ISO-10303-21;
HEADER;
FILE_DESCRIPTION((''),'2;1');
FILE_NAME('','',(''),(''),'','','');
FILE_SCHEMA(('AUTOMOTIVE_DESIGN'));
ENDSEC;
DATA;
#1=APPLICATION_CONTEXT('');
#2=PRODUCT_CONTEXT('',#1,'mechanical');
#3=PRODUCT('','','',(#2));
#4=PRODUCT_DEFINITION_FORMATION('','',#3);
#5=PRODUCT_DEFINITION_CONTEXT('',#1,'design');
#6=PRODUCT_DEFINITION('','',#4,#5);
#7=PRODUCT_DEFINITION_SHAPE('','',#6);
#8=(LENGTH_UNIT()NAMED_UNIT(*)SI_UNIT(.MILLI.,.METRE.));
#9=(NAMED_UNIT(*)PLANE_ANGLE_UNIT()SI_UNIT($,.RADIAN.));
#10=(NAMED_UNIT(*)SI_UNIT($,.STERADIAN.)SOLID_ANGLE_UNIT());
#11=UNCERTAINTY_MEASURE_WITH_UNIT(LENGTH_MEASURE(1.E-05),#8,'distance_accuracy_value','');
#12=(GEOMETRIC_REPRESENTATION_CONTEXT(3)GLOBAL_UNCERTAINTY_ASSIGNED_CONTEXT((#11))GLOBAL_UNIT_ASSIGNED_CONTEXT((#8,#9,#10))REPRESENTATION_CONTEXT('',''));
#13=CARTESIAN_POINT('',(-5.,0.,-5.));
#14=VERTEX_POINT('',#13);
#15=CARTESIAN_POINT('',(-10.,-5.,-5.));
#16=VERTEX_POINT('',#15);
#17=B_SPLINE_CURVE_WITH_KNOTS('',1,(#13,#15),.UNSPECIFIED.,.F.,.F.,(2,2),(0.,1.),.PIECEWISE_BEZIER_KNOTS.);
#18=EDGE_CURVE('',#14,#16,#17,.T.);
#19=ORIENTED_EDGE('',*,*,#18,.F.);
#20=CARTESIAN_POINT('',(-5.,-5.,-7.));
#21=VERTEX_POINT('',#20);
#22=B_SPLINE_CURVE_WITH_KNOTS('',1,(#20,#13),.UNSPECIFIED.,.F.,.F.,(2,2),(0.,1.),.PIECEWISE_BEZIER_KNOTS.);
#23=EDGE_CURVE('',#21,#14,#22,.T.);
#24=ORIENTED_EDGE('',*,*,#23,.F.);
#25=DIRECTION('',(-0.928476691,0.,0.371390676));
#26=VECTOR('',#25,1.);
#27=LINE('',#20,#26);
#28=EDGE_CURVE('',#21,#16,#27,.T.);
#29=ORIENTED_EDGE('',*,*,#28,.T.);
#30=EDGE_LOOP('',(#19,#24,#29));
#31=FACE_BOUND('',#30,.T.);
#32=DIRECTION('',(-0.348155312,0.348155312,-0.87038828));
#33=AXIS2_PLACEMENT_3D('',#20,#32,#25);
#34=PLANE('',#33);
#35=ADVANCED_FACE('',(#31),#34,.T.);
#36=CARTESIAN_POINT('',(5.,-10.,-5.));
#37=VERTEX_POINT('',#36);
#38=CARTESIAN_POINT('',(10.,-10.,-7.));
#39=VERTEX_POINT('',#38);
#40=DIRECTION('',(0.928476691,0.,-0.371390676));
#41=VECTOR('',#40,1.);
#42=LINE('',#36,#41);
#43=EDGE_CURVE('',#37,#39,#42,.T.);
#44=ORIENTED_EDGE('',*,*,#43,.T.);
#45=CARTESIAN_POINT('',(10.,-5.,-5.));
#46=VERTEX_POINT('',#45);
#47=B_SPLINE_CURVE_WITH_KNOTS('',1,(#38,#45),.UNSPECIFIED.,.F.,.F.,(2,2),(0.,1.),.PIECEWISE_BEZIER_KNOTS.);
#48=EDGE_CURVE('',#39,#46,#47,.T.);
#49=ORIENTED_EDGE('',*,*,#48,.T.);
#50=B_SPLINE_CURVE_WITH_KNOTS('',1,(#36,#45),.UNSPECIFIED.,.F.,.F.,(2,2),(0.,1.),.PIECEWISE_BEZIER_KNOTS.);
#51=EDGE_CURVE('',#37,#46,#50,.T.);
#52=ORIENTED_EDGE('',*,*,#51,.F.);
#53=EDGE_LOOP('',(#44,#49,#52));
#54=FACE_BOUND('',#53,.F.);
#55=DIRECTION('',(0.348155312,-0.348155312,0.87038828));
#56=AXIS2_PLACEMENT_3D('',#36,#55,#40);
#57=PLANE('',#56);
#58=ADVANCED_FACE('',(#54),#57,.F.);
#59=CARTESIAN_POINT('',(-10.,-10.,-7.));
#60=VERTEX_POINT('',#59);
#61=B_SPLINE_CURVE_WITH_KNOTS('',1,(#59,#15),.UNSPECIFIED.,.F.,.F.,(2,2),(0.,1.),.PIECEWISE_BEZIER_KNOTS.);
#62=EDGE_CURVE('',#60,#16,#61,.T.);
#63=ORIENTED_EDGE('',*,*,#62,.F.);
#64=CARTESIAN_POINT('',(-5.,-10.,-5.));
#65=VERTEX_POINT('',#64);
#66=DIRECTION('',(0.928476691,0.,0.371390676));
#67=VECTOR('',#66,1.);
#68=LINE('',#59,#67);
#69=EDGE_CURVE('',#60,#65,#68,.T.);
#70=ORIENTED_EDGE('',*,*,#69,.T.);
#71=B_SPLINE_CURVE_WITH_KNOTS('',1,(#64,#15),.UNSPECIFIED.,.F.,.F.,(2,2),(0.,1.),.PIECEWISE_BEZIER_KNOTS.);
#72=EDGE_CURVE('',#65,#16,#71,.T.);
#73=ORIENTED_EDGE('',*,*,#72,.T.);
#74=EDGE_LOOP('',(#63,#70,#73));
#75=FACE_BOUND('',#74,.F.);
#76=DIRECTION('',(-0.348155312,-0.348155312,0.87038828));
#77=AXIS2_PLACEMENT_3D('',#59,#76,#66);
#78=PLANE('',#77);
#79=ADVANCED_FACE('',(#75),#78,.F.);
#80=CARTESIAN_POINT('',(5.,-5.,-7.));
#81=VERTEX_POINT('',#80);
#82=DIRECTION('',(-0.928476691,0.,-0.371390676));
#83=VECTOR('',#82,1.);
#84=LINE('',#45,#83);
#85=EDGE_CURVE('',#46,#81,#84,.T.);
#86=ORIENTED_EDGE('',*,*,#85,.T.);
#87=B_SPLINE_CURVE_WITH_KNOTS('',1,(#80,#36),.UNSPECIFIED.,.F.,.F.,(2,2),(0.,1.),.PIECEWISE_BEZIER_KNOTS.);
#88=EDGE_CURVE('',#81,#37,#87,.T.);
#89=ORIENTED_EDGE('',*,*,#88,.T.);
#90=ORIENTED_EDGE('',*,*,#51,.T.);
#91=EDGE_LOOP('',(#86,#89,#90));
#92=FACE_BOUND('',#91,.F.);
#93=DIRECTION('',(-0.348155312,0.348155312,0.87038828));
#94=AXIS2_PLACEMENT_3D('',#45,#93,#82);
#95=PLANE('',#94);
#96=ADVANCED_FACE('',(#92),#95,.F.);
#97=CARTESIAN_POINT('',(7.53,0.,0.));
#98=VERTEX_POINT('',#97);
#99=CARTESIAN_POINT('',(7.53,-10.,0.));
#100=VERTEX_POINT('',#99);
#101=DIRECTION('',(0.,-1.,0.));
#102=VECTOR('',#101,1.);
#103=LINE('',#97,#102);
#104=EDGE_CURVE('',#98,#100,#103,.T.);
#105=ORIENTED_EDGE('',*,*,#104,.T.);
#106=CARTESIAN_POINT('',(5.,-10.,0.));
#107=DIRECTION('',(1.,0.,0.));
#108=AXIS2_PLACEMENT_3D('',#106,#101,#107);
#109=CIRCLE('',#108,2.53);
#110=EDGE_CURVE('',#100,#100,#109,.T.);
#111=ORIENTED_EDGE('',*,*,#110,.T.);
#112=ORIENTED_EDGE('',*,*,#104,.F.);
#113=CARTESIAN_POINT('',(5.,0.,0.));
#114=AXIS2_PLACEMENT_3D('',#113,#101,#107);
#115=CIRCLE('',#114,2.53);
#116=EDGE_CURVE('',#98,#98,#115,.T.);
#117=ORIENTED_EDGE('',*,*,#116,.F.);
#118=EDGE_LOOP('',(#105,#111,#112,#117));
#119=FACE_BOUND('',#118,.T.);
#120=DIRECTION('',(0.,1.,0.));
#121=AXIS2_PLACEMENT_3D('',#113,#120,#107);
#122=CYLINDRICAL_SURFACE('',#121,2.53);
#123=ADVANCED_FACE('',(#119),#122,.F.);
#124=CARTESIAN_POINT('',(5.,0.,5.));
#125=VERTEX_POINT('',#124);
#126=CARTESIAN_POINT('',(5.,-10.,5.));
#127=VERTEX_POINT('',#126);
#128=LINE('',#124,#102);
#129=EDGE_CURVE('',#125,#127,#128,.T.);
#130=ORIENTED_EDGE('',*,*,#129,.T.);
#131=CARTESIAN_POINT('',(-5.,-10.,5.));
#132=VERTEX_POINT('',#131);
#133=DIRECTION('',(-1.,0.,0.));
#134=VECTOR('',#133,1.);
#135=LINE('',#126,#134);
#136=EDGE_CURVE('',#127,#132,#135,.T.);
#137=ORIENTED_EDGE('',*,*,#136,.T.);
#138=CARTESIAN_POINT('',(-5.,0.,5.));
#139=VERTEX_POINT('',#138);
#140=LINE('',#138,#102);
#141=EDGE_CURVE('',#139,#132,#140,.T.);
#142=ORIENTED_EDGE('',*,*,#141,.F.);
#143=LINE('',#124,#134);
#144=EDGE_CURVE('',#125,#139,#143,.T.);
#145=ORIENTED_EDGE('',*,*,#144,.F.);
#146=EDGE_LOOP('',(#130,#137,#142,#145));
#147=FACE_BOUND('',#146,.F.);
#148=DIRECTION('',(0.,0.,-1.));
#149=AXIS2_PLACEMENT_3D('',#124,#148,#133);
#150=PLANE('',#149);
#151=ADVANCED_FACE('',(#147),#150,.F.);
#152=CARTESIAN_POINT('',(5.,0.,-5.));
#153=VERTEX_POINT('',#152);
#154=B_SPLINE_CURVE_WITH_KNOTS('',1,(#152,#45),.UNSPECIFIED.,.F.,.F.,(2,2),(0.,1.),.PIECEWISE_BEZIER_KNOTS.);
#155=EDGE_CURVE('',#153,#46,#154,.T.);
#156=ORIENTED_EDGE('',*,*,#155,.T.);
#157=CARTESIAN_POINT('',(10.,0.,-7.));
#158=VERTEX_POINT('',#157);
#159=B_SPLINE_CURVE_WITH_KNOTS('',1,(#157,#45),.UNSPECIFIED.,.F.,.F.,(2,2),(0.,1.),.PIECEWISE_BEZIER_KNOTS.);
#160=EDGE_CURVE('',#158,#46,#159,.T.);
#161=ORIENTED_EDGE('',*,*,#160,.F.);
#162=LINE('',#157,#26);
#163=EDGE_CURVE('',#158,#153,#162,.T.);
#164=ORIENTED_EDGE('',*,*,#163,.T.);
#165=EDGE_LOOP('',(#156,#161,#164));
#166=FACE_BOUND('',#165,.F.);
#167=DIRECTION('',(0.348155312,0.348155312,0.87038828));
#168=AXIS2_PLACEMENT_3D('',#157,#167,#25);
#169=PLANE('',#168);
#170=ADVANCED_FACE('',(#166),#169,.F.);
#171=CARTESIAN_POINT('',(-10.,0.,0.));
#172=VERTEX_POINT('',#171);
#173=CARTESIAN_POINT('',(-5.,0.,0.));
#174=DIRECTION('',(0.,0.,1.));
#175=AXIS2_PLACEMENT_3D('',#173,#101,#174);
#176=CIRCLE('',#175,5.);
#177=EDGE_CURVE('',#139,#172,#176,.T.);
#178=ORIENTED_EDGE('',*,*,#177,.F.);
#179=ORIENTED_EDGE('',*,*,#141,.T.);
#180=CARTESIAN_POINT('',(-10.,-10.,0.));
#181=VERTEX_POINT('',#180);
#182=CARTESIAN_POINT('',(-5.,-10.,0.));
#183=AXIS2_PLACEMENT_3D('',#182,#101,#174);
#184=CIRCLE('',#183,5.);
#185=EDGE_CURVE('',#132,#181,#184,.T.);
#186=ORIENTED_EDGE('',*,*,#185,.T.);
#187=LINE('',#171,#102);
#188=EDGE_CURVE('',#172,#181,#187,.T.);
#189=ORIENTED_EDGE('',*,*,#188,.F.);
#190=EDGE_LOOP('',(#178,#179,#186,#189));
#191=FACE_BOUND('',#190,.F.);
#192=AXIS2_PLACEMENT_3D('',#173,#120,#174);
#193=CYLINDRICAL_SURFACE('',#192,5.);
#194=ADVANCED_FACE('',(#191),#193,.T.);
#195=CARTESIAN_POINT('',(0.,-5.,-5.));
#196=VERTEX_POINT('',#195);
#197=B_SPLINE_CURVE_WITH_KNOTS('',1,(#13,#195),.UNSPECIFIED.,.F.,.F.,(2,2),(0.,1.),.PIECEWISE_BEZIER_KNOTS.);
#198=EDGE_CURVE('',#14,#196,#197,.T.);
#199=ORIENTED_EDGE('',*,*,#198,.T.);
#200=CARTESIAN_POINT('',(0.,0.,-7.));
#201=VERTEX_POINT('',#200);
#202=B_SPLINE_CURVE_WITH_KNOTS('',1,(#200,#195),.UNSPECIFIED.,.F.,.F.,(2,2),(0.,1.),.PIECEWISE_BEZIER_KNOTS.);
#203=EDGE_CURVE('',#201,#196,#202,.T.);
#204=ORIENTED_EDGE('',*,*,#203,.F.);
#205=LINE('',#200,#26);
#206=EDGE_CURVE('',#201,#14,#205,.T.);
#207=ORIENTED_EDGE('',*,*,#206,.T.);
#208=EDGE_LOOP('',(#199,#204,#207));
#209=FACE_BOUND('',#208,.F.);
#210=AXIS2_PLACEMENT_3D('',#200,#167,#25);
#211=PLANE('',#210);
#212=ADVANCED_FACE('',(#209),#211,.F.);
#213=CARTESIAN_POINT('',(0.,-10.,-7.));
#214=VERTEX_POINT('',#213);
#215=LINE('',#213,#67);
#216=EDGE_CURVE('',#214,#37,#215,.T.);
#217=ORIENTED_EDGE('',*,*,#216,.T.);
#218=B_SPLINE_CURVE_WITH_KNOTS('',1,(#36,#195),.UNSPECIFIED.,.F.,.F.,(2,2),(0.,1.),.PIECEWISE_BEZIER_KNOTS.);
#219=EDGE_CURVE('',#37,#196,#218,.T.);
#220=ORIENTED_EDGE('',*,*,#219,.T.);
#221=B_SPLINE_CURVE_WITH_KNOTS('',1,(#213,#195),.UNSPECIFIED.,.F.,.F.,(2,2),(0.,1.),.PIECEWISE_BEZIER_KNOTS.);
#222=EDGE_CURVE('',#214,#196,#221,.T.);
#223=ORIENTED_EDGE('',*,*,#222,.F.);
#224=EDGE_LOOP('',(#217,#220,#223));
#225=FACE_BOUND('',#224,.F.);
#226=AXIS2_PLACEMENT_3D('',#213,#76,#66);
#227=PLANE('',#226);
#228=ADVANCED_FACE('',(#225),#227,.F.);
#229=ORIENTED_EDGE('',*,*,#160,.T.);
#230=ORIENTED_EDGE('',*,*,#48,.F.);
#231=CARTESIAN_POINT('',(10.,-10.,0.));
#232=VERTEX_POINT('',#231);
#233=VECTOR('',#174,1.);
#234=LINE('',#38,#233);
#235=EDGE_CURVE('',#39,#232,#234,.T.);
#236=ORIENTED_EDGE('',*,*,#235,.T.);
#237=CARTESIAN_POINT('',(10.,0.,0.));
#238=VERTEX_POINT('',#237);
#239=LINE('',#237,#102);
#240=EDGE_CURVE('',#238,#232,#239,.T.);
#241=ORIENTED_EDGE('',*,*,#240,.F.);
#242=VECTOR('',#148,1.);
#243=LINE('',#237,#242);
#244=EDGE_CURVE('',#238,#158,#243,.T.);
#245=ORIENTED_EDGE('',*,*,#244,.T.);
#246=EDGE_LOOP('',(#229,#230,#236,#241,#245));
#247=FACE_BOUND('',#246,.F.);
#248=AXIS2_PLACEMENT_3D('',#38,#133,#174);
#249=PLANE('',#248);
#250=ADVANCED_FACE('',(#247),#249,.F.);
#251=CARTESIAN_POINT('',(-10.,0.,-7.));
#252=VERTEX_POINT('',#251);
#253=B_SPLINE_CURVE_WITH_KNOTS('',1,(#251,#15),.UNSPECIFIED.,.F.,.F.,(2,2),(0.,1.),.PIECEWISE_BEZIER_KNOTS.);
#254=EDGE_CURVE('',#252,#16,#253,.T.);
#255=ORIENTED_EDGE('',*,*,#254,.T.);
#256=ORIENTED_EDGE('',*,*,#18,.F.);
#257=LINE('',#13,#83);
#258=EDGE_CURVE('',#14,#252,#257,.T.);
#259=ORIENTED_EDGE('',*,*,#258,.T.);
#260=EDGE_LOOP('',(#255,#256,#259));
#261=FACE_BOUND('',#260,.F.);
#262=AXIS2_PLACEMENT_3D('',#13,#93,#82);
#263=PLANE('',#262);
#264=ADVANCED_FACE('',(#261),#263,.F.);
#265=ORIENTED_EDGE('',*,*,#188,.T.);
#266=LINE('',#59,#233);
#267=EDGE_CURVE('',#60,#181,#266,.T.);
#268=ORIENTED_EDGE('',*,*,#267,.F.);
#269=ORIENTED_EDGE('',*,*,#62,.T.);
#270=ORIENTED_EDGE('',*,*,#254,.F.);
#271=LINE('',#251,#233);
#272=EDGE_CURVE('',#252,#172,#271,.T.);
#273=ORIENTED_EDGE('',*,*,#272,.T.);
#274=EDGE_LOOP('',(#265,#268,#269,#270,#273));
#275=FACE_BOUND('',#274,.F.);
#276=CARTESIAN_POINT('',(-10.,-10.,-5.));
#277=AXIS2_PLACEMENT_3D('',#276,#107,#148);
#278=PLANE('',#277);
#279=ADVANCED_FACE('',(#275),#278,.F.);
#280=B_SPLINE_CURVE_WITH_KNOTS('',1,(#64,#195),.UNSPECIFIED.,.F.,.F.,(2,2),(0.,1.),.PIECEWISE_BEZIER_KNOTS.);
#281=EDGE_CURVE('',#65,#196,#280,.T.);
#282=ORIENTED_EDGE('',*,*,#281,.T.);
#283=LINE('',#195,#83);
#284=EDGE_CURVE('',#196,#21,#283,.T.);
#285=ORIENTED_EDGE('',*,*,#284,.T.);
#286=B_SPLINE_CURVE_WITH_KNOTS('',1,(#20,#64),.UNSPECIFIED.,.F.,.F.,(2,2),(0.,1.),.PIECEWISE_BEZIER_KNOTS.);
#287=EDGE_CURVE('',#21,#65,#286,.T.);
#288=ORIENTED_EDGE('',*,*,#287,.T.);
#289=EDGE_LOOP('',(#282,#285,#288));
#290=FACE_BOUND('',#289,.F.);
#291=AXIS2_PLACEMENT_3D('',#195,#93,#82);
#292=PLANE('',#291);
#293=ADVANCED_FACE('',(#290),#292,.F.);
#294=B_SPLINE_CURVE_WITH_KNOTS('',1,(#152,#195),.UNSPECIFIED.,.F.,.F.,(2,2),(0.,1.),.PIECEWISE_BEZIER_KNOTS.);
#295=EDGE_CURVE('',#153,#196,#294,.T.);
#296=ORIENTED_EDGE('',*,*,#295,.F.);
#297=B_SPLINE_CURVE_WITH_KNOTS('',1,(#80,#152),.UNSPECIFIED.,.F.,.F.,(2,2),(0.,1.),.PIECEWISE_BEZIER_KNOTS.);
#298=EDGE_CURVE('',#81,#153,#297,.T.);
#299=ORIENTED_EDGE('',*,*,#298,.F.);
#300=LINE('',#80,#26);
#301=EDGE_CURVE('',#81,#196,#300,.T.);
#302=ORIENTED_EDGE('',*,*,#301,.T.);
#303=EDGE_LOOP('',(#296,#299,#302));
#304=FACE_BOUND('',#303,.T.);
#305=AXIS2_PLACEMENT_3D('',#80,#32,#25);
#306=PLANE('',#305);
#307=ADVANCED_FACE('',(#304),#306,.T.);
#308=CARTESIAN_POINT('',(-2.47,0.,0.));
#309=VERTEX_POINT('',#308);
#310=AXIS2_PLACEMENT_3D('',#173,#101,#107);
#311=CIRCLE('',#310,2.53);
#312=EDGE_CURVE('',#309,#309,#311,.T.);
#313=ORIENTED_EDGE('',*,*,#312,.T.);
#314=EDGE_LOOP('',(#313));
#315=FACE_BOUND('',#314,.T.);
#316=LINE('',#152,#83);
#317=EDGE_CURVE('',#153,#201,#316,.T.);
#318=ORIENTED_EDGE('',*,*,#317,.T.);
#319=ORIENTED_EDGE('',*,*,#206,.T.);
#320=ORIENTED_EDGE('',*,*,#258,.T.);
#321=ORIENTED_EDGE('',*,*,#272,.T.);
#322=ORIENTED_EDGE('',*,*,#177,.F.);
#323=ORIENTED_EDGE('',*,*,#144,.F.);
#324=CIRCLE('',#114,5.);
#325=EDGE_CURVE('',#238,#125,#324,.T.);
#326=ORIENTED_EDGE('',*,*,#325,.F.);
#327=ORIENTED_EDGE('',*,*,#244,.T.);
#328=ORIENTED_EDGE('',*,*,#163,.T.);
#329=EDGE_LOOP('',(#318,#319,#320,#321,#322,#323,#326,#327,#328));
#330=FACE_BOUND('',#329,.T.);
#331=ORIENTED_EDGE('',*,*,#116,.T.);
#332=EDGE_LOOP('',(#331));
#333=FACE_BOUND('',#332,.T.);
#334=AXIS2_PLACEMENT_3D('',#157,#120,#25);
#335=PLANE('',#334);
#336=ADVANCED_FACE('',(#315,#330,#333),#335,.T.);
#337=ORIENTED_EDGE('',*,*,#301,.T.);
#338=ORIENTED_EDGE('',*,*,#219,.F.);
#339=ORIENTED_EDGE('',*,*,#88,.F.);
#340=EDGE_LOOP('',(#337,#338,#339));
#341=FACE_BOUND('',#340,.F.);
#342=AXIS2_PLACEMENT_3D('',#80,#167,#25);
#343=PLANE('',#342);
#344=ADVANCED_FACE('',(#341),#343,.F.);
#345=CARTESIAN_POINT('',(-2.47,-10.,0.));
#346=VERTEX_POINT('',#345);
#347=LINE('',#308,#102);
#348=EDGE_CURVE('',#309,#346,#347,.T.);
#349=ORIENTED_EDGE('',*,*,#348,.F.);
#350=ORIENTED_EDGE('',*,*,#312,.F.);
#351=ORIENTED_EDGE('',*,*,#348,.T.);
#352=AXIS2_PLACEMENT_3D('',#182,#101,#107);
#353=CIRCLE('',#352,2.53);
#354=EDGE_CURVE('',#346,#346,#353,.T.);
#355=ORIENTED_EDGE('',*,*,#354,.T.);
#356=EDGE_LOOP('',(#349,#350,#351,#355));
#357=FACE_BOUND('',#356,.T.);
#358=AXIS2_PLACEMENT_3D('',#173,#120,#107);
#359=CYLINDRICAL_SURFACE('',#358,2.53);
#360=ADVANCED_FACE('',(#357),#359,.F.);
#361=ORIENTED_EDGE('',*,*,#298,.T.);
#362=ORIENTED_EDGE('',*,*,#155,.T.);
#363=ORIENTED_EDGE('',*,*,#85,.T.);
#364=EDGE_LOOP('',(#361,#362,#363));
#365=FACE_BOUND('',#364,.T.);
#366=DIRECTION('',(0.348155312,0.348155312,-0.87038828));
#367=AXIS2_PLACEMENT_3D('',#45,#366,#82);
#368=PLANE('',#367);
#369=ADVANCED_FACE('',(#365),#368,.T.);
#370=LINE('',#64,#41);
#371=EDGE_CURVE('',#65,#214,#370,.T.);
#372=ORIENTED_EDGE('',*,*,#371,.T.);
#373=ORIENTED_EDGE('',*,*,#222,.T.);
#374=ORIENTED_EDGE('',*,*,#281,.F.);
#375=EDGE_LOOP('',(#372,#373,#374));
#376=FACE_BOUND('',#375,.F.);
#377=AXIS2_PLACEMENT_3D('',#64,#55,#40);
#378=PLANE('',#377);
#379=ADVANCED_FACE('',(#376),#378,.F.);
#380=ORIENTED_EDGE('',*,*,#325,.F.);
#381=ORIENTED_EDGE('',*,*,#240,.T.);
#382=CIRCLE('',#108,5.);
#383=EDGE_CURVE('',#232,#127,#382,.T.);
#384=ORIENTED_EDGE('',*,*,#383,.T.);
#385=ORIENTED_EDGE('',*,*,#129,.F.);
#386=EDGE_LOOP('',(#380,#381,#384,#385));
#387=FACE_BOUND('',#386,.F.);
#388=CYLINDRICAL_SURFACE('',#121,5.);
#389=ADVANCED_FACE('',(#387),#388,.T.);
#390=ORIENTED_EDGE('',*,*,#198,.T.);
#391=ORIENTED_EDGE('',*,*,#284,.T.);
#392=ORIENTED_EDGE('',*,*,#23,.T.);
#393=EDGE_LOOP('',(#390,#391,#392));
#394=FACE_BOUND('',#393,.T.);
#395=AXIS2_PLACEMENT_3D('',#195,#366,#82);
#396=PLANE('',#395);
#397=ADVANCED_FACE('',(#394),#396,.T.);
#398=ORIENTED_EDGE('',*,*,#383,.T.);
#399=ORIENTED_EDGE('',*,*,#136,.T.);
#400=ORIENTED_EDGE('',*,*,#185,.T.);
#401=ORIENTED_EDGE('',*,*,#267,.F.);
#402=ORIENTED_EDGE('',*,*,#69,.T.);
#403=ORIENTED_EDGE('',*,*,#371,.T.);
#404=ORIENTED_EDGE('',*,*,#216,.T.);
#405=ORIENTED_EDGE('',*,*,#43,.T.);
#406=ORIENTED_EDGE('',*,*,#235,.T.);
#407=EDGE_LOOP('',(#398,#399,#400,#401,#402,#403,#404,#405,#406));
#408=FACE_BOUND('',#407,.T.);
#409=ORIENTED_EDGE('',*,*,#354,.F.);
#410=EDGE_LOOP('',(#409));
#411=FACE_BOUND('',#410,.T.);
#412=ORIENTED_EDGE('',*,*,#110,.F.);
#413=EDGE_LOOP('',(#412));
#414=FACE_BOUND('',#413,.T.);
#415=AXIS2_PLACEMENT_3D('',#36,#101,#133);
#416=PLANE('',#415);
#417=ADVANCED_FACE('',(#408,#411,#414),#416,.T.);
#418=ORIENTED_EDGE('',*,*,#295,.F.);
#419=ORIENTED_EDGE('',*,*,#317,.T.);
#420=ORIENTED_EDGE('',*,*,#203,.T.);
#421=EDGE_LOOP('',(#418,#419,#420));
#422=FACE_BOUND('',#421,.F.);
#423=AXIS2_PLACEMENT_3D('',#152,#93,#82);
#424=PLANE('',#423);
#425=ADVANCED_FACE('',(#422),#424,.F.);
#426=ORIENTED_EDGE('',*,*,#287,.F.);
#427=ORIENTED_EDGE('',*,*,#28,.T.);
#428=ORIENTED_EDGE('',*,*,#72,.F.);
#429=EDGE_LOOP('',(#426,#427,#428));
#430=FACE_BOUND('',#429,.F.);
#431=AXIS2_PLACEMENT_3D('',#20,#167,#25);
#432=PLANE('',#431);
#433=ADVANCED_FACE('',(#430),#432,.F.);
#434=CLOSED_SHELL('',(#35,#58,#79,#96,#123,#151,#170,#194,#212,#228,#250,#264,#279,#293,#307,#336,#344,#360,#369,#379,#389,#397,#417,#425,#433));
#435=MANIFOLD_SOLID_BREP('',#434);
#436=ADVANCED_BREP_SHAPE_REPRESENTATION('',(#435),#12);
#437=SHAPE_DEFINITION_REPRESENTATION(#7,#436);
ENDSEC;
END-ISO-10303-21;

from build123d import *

# Parameters (mm, degrees)
F0_R     = 2.53
F1_DEPTH = 10


with BuildPart() as f1:
    # F0 (on Front) → F1 (new body)
    with BuildSketch(Plane.XZ):
        with BuildLine():
            Line((5, 5), (-5, 5))
            ThreePointArc((-5, 5), (-8.5355339059, 3.5355339059), (-10, 0))
            Line((-10, 0), (-10, -5))
            Line((-10, -5), (10, -5))
            Line((10, -5), (10, 0))
            ThreePointArc((10, 0), (8.5355339059, 3.5355339059), (5, 5))
        make_face()
        with Locations((-5, 0)):
            Circle(F0_R, mode=Mode.SUBTRACT)
        with Locations((5, 0)):
            Circle(F0_R, mode=Mode.SUBTRACT)
    extrude(amount=F1_DEPTH)

    # F3 (on face) → F6 section 0
    with BuildSketch(Plane(origin=(0, 0, 0), x_dir=(-1, 0, 0), z_dir=(0, 1, 0)), mode=Mode.PRIVATE) as f6_s0:
        Polygon((0, -7), (5, -5), (-5, -5), align=None)
    loft([f6_s0.sketch, Vertex(0, -5, -5)])

    # F3 (on face) → F7 section 0
    with BuildSketch(Plane(origin=(0, 0, 0), x_dir=(-1, 0, 0), z_dir=(0, 1, 0)), mode=Mode.PRIVATE) as f7_s0:
        Polygon((5, -5), (10, -7), (10, -5), align=None)
    loft([f7_s0.sketch, Vertex(-10, -5, -5)])

    # F5 (on offset) → F8 section 0
    with BuildSketch(Plane(origin=(0, -5, 0), x_dir=(-1, 0, 0), z_dir=(0, 1, 0)), mode=Mode.PRIVATE) as f8_s0:
        Polygon((5, -7), (10, -5), (0, -5), align=None)
    loft([f8_s0.sketch, Vertex(-5, 0, -5)])

    # F3 (on face) → F9 section 0
    with BuildSketch(Plane(origin=(0, 0, 0), x_dir=(-1, 0, 0), z_dir=(0, 1, 0)), mode=Mode.PRIVATE) as f9_s0:
        Polygon((-10, -7), (-5, -5), (-10, -5), align=None)
    loft([f9_s0.sketch, Vertex(10, -5, -5)])

    # F5 (on offset) → F10 section 0
    with BuildSketch(Plane(origin=(0, -5, 0), x_dir=(-1, 0, 0), z_dir=(0, 1, 0)), mode=Mode.PRIVATE) as f10_s0:
        Polygon((-5, -7), (0, -5), (-10, -5), align=None)
    loft([f10_s0.sketch, Vertex(5, 0, -5)])

    # F2 (on face) → F11 section 0
    with BuildSketch(Plane.XZ.offset(10), mode=Mode.PRIVATE) as f11_s0:
        Polygon((-5, -5), (-10, -5), (-10, -7), align=None)
    loft([f11_s0.sketch, Vertex(-10, -5, -5)])

    # F2 (on face) → F12 section 0
    with BuildSketch(Plane.XZ.offset(10), mode=Mode.PRIVATE) as f12_s0:
        Polygon((10, -5), (5, -5), (10, -7), align=None)
    loft([f12_s0.sketch, Vertex(10, -5, -5)])

    # F2 (on face) → F13 section 0
    with BuildSketch(Plane.XZ.offset(10), mode=Mode.PRIVATE) as f13_s0:
        Polygon((5, -5), (-5, -5), (0, -7), align=None)
    loft([f13_s0.sketch, Vertex(0, -5, -5)])

    # F5 (on offset) → F14 section 0
    with BuildSketch(Plane(origin=(0, -5, 0), x_dir=(-1, 0, 0), z_dir=(0, 1, 0)), mode=Mode.PRIVATE) as f14_s0:
        Polygon((5, -7), (10, -5), (0, -5), align=None)
    loft([f14_s0.sketch, Vertex(-5, -10, -5)])

    # F5 (on offset) → F15 section 0
    with BuildSketch(Plane(origin=(0, -5, 0), x_dir=(-1, 0, 0), z_dir=(0, 1, 0)), mode=Mode.PRIVATE) as f15_s0:
        Polygon((-5, -7), (0, -5), (-10, -5), align=None)
    loft([f15_s0.sketch, Vertex(5, -10, -5)])


solid = f1.part
